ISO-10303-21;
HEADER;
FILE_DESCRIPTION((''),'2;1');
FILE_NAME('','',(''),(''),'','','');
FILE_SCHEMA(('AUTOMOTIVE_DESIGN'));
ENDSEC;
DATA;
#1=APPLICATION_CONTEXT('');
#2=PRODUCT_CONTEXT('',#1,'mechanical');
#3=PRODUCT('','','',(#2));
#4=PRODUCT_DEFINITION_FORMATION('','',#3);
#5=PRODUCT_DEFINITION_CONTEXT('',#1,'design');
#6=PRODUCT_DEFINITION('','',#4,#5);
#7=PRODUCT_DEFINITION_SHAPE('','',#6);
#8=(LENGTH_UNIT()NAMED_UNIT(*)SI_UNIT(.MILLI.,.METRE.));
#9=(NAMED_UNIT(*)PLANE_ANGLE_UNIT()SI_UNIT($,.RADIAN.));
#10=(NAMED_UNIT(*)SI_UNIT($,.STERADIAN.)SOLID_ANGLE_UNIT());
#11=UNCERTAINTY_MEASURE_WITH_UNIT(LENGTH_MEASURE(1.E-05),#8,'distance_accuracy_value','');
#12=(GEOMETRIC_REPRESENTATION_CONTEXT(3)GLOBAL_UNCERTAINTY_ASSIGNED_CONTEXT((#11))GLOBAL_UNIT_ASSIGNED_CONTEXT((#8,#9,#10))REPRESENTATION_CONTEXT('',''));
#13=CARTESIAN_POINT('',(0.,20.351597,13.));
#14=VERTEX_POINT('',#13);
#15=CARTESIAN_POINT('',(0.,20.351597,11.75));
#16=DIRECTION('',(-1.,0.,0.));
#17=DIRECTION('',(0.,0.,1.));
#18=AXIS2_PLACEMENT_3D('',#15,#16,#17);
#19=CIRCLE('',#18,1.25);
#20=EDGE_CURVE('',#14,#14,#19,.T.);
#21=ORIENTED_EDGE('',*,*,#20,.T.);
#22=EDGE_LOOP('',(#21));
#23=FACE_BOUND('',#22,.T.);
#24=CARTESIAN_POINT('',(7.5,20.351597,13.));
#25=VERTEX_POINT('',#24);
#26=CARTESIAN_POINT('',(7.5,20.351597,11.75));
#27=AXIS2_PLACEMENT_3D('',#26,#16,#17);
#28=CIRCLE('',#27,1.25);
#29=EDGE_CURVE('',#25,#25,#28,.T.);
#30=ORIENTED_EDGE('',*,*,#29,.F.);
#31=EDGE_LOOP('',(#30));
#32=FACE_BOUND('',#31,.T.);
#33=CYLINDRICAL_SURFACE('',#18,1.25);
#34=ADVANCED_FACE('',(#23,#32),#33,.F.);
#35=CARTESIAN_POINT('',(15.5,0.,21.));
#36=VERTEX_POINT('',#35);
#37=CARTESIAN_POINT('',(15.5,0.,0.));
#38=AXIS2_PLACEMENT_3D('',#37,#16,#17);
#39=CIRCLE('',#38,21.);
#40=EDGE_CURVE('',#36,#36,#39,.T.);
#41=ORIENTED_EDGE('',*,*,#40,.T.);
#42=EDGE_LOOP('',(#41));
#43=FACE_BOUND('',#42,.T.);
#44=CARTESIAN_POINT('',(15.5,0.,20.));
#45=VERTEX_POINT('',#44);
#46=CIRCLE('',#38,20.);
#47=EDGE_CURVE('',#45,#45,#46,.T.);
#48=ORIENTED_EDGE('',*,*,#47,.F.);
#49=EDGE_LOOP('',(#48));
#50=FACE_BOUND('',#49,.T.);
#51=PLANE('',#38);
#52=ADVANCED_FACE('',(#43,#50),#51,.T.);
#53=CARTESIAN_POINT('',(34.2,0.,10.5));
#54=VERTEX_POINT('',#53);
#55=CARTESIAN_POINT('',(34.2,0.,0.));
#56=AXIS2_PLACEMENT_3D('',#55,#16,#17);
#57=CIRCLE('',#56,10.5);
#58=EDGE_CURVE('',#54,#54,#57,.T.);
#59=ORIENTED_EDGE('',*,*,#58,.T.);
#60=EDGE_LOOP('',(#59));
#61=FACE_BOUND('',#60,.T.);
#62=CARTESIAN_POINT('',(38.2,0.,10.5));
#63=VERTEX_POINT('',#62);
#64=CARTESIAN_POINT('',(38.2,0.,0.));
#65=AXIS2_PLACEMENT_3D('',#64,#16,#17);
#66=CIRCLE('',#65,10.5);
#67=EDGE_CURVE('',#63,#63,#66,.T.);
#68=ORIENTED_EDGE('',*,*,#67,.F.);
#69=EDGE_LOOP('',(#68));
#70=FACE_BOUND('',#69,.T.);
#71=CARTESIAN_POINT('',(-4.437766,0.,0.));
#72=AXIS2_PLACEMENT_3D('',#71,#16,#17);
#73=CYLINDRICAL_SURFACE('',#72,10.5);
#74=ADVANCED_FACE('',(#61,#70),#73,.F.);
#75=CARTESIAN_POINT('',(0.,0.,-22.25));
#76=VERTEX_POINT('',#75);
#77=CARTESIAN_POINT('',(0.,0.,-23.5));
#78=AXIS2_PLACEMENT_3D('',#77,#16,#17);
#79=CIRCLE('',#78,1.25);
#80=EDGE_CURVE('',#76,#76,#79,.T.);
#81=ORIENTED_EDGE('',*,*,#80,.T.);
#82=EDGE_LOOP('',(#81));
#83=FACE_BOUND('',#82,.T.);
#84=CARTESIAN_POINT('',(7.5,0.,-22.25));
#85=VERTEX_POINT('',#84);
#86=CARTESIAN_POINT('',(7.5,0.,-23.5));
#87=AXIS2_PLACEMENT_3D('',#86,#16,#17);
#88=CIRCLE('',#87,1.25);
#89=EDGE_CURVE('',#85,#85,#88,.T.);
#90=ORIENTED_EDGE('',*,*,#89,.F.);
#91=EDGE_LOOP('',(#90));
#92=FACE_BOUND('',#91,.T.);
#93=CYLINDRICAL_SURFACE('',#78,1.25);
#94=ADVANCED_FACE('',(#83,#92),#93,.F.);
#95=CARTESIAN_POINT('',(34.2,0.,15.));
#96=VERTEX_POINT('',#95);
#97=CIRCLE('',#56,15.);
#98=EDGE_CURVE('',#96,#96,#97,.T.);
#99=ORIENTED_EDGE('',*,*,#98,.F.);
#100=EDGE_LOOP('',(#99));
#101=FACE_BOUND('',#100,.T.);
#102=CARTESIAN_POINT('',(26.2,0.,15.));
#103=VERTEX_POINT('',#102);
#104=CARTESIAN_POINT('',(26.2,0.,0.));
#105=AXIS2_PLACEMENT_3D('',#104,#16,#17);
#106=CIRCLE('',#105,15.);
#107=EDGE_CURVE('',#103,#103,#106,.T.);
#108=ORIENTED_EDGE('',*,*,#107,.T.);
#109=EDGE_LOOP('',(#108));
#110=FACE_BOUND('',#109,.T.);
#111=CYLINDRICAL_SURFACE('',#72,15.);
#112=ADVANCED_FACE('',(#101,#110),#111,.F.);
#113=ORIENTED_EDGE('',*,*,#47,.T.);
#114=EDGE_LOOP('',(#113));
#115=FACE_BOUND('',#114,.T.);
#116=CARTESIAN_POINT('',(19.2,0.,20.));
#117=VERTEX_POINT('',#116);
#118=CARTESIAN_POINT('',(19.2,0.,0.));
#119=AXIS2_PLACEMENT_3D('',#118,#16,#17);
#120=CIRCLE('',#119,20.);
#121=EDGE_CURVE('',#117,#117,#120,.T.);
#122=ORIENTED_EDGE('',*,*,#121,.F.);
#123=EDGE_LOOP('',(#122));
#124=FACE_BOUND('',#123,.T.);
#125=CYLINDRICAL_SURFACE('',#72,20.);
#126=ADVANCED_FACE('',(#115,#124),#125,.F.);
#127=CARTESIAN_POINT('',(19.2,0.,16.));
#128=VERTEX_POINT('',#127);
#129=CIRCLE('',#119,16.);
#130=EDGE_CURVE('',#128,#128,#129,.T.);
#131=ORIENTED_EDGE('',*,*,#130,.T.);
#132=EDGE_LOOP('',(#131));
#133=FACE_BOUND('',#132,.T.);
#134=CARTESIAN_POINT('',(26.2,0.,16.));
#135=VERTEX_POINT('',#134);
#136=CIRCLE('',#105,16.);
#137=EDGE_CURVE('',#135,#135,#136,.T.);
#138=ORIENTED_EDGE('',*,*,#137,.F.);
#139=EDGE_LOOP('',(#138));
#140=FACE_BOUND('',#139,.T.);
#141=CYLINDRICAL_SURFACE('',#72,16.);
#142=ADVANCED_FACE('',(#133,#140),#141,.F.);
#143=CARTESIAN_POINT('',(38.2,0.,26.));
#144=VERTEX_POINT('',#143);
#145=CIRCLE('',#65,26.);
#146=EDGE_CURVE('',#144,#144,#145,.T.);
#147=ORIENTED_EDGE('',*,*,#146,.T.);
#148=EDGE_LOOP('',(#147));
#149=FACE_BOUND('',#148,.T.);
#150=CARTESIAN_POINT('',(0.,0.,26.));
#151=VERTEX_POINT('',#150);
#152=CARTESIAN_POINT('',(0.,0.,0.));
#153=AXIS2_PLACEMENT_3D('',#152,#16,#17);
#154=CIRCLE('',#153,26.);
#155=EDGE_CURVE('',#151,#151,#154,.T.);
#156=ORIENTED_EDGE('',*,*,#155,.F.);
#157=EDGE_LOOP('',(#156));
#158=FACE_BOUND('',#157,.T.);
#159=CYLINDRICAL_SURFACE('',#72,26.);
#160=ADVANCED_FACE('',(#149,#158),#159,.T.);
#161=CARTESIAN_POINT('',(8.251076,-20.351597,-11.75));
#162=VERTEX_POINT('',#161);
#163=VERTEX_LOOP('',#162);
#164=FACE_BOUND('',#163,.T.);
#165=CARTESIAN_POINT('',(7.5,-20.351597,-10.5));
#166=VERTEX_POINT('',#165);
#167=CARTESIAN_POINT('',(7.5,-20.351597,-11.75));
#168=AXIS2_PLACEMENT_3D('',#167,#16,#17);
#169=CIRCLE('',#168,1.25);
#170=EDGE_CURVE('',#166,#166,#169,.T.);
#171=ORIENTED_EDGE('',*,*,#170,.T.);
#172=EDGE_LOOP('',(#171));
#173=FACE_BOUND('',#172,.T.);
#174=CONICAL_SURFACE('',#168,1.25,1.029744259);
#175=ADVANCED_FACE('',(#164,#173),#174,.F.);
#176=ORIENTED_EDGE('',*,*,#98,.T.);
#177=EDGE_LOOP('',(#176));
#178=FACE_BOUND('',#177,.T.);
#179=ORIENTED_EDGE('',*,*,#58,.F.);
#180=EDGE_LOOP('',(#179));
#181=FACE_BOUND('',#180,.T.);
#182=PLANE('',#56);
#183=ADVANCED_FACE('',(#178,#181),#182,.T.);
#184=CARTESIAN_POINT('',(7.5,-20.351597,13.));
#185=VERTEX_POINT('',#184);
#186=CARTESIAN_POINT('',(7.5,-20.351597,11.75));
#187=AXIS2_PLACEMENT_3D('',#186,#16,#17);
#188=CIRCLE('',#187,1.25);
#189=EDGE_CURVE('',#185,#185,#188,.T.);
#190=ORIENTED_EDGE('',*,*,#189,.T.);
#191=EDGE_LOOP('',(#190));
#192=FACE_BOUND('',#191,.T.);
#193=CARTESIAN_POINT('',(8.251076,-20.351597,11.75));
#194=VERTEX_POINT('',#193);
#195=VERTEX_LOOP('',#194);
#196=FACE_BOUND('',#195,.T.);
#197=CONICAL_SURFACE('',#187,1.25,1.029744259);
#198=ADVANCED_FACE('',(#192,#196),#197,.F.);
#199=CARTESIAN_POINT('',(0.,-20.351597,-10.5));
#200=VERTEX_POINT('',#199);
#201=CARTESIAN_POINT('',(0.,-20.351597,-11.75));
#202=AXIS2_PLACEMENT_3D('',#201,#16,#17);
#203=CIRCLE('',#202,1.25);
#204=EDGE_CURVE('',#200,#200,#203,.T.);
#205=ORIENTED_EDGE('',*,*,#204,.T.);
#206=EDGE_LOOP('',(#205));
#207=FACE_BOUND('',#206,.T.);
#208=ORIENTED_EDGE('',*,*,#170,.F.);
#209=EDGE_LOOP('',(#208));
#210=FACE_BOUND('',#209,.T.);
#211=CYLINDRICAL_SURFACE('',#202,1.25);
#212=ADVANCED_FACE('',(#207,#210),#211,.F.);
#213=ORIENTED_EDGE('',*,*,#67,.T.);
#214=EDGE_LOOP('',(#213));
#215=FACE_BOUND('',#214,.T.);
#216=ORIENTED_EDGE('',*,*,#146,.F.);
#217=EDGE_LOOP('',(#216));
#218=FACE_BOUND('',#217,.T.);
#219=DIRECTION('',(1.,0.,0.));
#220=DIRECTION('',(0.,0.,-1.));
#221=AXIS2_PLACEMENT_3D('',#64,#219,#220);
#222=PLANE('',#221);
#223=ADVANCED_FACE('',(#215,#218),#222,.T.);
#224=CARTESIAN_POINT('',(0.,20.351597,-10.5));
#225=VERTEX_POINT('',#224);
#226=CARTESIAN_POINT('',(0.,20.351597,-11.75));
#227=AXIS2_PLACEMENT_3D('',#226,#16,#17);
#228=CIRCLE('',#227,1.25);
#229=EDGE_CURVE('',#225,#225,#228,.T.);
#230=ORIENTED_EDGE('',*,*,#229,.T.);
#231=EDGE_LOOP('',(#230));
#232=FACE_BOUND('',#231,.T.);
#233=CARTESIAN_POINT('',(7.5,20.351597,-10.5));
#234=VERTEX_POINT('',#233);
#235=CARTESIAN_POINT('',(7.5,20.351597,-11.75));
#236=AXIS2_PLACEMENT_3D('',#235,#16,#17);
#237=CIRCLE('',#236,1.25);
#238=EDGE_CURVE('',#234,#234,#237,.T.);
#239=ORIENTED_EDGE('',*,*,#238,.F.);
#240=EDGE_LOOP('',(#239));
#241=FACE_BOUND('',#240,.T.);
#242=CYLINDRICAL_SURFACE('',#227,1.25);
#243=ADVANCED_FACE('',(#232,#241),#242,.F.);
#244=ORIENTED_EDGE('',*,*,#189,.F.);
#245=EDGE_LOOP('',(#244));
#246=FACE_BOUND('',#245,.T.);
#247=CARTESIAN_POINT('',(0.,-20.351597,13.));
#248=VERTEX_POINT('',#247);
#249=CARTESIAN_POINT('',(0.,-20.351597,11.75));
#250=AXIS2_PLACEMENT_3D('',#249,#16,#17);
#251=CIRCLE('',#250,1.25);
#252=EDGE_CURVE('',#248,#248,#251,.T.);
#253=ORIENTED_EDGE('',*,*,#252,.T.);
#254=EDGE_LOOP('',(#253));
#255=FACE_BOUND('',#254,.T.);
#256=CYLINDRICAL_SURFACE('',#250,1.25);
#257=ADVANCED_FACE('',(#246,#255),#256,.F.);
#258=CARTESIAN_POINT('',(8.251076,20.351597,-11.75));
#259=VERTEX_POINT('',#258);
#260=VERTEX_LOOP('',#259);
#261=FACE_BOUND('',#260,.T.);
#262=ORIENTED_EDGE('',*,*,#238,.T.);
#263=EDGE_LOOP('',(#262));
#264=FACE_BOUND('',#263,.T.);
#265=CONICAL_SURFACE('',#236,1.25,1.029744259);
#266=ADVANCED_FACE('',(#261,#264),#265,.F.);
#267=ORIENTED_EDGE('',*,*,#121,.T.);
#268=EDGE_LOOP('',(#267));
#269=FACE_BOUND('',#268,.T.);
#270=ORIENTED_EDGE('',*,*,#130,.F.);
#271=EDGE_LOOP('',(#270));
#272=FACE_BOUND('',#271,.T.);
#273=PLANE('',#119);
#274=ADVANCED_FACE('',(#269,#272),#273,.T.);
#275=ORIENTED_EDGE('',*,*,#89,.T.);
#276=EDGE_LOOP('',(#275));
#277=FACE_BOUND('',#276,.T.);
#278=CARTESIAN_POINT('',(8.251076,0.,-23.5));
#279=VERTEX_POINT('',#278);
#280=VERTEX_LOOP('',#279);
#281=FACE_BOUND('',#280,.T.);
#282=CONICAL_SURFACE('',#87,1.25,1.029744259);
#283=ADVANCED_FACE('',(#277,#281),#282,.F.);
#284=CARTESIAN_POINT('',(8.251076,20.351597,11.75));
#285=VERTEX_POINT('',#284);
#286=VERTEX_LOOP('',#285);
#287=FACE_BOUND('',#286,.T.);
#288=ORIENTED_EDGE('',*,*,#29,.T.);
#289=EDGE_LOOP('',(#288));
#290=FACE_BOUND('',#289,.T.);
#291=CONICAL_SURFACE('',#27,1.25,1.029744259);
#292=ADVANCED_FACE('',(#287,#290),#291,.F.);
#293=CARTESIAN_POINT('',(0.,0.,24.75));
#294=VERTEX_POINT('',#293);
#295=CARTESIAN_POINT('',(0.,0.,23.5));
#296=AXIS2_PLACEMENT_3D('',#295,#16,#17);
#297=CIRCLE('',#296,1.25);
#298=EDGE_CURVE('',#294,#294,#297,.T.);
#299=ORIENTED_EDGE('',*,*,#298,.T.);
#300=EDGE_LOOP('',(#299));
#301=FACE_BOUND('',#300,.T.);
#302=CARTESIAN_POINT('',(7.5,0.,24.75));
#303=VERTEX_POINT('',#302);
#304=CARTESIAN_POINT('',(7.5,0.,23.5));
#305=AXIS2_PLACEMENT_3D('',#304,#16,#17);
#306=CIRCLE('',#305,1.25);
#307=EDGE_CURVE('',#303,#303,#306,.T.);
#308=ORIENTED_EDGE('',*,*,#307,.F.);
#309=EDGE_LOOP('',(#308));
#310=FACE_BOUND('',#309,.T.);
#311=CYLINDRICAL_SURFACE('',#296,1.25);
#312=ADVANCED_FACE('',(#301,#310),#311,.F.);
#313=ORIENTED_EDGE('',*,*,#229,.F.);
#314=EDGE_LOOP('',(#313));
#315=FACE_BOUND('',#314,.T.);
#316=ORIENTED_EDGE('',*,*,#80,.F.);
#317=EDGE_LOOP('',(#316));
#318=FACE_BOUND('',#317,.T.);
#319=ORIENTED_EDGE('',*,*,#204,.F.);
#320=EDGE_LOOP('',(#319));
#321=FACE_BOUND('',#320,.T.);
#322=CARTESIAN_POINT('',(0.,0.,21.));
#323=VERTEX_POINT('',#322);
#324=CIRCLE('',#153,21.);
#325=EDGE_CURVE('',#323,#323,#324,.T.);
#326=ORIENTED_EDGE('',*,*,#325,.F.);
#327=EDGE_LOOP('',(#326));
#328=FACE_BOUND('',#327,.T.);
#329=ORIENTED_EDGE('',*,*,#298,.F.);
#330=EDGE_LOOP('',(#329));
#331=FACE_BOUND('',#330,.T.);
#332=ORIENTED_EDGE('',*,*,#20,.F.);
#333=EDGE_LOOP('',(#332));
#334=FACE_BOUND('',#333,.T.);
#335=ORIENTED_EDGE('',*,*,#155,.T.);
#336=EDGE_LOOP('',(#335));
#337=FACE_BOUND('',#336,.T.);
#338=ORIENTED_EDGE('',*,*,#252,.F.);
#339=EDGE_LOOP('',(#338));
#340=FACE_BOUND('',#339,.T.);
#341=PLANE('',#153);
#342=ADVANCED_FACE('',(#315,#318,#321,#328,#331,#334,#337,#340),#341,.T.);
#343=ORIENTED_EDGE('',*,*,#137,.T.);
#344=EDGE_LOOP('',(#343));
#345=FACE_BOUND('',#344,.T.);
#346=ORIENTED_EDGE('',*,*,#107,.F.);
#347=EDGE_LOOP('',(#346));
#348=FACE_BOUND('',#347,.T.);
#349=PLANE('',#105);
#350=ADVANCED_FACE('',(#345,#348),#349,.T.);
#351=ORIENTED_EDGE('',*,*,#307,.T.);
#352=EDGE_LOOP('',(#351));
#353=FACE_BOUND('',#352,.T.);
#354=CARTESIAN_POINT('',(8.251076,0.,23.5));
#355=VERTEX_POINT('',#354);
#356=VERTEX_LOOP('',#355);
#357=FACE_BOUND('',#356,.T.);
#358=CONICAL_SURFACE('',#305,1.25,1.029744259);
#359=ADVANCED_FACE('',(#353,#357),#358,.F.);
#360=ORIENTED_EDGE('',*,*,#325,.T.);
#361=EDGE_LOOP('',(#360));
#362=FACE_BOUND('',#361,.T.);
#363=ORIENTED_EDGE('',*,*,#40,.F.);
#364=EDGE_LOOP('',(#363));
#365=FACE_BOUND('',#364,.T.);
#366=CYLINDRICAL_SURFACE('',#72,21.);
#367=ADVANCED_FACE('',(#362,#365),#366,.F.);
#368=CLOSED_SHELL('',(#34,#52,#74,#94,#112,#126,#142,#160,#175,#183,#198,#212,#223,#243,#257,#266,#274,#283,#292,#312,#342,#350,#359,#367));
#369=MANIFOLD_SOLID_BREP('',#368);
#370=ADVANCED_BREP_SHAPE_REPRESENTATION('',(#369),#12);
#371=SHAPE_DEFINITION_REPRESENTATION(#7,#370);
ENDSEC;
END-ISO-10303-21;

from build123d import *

# Parameters (mm, degrees)
CIRPATTERN1_COUNT = 6


with BuildPart() as part:
    # Sketch1 → Revolve1 (revolve)
    with BuildSketch(Plane.XY):
        Polygon((0, 26), (0, 21), (15.5, 21), (15.5, 20), (19.2, 20), (19.2, 16), (26.2, 16), (26.2, 15), (34.2, 15), (34.2, 10.5), (38.2, 10.5), (38.2, 26), align=None)
    revolve(axis=Axis((-4.437766072, 0, 0), (1, 0, 0)))

    # Sketch3 → M3 Tapped Hole1 (revolve, cut)
    with BuildSketch(Plane(origin=(0, 20.351596989, 11.75), x_dir=(0, 0, 1), z_dir=(0, 1, 0))):
        Polygon((0, 0), (0, 8.251075774), (1.25, 7.5), (1.25, 0), align=None)
    m3_tapped_hole1 = revolve(axis=Axis((-6.35, 20.351596989, 11.75), (1, 0, 0)), mode=Mode.SUBTRACT)

    # CirPattern1: M3 Tapped Hole1 ×6 about axis
    cirpattern1_axis = Axis((-4.437766072, 0, 0), (1, 0, 0))
    for i in range(1, CIRPATTERN1_COUNT):
        add(m3_tapped_hole1.rotate(cirpattern1_axis, i * 360 / CIRPATTERN1_COUNT), mode=Mode.SUBTRACT)


solid = part.part
